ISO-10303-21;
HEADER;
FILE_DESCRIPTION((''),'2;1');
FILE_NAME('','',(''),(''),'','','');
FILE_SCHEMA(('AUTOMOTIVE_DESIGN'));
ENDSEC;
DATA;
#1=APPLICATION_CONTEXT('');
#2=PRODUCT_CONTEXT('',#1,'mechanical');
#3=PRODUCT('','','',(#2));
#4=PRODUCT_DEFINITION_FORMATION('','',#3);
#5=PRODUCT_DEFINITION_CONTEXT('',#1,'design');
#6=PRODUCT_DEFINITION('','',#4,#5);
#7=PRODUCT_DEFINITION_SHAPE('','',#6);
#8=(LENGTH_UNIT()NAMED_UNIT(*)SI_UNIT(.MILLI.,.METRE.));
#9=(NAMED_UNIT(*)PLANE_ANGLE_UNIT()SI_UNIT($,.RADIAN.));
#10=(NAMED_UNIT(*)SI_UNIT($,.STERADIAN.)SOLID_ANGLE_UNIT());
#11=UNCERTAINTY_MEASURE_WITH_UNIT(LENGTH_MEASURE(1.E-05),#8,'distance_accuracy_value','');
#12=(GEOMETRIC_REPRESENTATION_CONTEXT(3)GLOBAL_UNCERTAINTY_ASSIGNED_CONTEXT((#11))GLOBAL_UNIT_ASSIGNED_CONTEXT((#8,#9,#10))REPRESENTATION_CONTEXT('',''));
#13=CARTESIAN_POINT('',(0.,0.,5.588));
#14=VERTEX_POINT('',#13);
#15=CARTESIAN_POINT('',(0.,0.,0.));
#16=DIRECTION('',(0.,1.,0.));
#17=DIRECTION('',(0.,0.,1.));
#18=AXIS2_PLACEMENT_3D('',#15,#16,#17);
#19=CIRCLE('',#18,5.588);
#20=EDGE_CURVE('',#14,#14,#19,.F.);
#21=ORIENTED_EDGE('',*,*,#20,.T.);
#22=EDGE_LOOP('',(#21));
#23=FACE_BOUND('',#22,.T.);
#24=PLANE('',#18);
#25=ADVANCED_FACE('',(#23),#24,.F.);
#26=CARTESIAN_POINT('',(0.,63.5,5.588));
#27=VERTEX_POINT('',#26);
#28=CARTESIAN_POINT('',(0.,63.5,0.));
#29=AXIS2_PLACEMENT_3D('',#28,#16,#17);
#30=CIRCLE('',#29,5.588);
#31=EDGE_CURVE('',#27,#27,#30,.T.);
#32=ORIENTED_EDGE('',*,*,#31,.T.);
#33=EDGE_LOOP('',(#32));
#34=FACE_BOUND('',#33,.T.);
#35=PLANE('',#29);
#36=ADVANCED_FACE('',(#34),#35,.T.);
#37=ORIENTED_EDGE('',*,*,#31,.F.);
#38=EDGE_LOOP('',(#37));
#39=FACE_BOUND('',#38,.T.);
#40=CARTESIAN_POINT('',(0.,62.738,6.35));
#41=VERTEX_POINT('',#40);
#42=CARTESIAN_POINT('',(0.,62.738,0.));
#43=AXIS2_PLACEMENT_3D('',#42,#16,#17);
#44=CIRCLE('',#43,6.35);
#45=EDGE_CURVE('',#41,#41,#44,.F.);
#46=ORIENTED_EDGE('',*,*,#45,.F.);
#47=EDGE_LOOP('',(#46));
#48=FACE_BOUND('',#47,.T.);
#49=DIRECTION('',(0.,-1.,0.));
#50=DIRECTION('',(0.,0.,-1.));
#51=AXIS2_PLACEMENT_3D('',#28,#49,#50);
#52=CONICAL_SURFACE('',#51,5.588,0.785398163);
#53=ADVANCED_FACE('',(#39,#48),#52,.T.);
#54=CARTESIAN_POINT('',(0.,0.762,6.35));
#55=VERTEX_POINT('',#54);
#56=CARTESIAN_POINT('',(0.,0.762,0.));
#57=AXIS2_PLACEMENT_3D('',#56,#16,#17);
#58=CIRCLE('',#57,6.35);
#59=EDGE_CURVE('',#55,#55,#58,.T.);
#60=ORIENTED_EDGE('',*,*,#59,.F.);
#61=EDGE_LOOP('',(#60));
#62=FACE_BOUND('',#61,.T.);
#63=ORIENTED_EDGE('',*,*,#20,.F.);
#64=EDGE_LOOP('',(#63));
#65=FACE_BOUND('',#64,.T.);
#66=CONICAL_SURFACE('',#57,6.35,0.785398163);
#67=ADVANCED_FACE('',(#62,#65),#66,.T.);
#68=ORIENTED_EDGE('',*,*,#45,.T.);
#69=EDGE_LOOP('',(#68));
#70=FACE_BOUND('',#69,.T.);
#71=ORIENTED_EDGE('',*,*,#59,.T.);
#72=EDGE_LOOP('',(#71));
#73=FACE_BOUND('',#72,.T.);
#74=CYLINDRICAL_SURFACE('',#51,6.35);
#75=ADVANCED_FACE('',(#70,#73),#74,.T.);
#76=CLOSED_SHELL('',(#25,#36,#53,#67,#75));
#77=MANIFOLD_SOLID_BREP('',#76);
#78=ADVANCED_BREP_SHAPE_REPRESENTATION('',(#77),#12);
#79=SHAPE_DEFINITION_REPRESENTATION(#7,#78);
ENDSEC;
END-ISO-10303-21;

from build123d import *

# Parameters (mm, degrees)
SKETCH1_R           = 6.35
BOSS_EXTRUDE1_DEPTH = 63.5
CHAMFER1_SIZE       = 0.762


with BuildPart() as part:
    # Sketch1 → Boss-Extrude1 (new body)
    with BuildSketch(Plane(origin=(0, 0, 0), x_dir=(1, 0, 0), z_dir=(0, 1, 0))):
        Circle(SKETCH1_R)
    extrude(amount=BOSS_EXTRUDE1_DEPTH)

    # Chamfer1
    chamfer1_edges = [part.edges().sort_by_distance(p)[0] for p in [
        (-6.35, 0, 0),
        (-6.35, 63.5, 0),
    ]]
    chamfer(chamfer1_edges, length=CHAMFER1_SIZE)


solid = part.part
